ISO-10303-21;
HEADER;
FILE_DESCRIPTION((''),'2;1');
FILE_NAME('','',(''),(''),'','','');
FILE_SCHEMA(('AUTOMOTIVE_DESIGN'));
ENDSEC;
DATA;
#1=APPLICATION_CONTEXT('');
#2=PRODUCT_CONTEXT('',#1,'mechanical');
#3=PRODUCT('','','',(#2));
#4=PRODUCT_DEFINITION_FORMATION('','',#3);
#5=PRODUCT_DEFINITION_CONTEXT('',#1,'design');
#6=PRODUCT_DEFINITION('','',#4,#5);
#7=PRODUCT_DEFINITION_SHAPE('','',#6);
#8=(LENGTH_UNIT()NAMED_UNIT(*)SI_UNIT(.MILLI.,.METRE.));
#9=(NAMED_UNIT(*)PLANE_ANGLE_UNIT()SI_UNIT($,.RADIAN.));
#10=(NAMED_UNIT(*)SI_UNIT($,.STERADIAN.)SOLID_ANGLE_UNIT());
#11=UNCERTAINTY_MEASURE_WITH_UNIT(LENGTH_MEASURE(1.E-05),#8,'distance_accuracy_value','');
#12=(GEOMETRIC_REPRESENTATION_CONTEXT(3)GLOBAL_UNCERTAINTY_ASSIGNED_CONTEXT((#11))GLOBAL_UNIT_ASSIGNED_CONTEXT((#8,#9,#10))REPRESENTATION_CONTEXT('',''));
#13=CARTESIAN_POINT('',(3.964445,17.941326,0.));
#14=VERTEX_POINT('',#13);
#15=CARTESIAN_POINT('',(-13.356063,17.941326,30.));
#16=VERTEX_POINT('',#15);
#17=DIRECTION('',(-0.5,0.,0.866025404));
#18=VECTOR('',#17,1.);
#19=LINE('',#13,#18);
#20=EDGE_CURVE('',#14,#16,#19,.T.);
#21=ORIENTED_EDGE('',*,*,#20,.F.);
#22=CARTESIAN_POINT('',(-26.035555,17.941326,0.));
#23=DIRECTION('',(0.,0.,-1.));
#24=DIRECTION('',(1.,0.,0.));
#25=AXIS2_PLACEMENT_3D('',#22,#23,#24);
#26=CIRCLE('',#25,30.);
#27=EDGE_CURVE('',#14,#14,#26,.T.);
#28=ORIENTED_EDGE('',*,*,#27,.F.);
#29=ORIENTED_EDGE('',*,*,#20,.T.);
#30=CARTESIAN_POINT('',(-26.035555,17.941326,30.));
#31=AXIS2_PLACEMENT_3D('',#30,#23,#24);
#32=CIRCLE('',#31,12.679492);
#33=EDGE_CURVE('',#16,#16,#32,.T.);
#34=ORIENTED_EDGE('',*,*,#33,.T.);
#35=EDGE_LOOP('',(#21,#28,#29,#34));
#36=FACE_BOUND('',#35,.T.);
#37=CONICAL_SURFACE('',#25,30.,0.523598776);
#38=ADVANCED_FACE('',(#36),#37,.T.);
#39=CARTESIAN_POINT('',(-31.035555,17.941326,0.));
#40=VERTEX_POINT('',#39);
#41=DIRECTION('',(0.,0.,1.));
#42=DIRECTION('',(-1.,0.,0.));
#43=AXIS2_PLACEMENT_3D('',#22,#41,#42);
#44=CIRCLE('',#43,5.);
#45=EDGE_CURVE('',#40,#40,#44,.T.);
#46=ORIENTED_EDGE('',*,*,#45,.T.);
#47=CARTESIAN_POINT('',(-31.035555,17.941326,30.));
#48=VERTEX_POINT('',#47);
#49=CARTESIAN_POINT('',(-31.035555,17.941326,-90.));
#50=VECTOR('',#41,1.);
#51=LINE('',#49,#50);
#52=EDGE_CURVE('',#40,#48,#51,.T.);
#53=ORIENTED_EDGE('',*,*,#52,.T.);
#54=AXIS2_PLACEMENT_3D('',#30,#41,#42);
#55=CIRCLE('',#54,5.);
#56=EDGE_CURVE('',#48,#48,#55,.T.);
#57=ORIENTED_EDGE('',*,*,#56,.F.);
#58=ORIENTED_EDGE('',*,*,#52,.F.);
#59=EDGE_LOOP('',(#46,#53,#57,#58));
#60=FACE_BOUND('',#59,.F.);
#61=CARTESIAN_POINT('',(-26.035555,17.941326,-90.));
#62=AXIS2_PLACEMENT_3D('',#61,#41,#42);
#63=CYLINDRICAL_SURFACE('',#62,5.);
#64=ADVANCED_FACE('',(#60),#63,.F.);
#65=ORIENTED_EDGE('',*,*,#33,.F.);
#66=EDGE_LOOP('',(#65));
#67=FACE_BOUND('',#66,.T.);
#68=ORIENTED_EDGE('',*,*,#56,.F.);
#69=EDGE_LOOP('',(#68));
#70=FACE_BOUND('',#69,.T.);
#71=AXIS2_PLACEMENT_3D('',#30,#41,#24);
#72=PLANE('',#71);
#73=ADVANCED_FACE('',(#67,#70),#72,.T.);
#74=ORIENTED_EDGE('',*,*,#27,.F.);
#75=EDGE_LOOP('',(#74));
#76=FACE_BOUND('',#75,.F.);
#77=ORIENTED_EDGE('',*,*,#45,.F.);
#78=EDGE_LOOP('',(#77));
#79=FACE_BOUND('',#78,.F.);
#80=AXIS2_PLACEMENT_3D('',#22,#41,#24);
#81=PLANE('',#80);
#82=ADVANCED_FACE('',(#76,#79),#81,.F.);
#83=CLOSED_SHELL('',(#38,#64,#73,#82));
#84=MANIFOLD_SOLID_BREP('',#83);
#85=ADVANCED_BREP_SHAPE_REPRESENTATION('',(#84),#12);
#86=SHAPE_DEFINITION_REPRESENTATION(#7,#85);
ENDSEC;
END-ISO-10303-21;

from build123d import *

# Parameters (mm, degrees)
F0_R     = 30
F1_DEPTH = 30
F1_TAPER = 30
F2_D     = 10


with BuildPart() as f1:
    # F0 (on Top) → F1 (new body)
    with BuildSketch(Plane.XY):
        with Locations((-26.0355547071, 17.9413259029)):
            Circle(F0_R)
    extrude(amount=F1_DEPTH, taper=F1_TAPER)

    # F2 (through all)
    with Locations(Plane(origin=(0, 0, 0), x_dir=(1, 0, 0), z_dir=(0, 0, -1))):
        with Locations((-26.0355547071, -17.9413259029)):
            Hole(F2_D / 2)


solid = f1.part
